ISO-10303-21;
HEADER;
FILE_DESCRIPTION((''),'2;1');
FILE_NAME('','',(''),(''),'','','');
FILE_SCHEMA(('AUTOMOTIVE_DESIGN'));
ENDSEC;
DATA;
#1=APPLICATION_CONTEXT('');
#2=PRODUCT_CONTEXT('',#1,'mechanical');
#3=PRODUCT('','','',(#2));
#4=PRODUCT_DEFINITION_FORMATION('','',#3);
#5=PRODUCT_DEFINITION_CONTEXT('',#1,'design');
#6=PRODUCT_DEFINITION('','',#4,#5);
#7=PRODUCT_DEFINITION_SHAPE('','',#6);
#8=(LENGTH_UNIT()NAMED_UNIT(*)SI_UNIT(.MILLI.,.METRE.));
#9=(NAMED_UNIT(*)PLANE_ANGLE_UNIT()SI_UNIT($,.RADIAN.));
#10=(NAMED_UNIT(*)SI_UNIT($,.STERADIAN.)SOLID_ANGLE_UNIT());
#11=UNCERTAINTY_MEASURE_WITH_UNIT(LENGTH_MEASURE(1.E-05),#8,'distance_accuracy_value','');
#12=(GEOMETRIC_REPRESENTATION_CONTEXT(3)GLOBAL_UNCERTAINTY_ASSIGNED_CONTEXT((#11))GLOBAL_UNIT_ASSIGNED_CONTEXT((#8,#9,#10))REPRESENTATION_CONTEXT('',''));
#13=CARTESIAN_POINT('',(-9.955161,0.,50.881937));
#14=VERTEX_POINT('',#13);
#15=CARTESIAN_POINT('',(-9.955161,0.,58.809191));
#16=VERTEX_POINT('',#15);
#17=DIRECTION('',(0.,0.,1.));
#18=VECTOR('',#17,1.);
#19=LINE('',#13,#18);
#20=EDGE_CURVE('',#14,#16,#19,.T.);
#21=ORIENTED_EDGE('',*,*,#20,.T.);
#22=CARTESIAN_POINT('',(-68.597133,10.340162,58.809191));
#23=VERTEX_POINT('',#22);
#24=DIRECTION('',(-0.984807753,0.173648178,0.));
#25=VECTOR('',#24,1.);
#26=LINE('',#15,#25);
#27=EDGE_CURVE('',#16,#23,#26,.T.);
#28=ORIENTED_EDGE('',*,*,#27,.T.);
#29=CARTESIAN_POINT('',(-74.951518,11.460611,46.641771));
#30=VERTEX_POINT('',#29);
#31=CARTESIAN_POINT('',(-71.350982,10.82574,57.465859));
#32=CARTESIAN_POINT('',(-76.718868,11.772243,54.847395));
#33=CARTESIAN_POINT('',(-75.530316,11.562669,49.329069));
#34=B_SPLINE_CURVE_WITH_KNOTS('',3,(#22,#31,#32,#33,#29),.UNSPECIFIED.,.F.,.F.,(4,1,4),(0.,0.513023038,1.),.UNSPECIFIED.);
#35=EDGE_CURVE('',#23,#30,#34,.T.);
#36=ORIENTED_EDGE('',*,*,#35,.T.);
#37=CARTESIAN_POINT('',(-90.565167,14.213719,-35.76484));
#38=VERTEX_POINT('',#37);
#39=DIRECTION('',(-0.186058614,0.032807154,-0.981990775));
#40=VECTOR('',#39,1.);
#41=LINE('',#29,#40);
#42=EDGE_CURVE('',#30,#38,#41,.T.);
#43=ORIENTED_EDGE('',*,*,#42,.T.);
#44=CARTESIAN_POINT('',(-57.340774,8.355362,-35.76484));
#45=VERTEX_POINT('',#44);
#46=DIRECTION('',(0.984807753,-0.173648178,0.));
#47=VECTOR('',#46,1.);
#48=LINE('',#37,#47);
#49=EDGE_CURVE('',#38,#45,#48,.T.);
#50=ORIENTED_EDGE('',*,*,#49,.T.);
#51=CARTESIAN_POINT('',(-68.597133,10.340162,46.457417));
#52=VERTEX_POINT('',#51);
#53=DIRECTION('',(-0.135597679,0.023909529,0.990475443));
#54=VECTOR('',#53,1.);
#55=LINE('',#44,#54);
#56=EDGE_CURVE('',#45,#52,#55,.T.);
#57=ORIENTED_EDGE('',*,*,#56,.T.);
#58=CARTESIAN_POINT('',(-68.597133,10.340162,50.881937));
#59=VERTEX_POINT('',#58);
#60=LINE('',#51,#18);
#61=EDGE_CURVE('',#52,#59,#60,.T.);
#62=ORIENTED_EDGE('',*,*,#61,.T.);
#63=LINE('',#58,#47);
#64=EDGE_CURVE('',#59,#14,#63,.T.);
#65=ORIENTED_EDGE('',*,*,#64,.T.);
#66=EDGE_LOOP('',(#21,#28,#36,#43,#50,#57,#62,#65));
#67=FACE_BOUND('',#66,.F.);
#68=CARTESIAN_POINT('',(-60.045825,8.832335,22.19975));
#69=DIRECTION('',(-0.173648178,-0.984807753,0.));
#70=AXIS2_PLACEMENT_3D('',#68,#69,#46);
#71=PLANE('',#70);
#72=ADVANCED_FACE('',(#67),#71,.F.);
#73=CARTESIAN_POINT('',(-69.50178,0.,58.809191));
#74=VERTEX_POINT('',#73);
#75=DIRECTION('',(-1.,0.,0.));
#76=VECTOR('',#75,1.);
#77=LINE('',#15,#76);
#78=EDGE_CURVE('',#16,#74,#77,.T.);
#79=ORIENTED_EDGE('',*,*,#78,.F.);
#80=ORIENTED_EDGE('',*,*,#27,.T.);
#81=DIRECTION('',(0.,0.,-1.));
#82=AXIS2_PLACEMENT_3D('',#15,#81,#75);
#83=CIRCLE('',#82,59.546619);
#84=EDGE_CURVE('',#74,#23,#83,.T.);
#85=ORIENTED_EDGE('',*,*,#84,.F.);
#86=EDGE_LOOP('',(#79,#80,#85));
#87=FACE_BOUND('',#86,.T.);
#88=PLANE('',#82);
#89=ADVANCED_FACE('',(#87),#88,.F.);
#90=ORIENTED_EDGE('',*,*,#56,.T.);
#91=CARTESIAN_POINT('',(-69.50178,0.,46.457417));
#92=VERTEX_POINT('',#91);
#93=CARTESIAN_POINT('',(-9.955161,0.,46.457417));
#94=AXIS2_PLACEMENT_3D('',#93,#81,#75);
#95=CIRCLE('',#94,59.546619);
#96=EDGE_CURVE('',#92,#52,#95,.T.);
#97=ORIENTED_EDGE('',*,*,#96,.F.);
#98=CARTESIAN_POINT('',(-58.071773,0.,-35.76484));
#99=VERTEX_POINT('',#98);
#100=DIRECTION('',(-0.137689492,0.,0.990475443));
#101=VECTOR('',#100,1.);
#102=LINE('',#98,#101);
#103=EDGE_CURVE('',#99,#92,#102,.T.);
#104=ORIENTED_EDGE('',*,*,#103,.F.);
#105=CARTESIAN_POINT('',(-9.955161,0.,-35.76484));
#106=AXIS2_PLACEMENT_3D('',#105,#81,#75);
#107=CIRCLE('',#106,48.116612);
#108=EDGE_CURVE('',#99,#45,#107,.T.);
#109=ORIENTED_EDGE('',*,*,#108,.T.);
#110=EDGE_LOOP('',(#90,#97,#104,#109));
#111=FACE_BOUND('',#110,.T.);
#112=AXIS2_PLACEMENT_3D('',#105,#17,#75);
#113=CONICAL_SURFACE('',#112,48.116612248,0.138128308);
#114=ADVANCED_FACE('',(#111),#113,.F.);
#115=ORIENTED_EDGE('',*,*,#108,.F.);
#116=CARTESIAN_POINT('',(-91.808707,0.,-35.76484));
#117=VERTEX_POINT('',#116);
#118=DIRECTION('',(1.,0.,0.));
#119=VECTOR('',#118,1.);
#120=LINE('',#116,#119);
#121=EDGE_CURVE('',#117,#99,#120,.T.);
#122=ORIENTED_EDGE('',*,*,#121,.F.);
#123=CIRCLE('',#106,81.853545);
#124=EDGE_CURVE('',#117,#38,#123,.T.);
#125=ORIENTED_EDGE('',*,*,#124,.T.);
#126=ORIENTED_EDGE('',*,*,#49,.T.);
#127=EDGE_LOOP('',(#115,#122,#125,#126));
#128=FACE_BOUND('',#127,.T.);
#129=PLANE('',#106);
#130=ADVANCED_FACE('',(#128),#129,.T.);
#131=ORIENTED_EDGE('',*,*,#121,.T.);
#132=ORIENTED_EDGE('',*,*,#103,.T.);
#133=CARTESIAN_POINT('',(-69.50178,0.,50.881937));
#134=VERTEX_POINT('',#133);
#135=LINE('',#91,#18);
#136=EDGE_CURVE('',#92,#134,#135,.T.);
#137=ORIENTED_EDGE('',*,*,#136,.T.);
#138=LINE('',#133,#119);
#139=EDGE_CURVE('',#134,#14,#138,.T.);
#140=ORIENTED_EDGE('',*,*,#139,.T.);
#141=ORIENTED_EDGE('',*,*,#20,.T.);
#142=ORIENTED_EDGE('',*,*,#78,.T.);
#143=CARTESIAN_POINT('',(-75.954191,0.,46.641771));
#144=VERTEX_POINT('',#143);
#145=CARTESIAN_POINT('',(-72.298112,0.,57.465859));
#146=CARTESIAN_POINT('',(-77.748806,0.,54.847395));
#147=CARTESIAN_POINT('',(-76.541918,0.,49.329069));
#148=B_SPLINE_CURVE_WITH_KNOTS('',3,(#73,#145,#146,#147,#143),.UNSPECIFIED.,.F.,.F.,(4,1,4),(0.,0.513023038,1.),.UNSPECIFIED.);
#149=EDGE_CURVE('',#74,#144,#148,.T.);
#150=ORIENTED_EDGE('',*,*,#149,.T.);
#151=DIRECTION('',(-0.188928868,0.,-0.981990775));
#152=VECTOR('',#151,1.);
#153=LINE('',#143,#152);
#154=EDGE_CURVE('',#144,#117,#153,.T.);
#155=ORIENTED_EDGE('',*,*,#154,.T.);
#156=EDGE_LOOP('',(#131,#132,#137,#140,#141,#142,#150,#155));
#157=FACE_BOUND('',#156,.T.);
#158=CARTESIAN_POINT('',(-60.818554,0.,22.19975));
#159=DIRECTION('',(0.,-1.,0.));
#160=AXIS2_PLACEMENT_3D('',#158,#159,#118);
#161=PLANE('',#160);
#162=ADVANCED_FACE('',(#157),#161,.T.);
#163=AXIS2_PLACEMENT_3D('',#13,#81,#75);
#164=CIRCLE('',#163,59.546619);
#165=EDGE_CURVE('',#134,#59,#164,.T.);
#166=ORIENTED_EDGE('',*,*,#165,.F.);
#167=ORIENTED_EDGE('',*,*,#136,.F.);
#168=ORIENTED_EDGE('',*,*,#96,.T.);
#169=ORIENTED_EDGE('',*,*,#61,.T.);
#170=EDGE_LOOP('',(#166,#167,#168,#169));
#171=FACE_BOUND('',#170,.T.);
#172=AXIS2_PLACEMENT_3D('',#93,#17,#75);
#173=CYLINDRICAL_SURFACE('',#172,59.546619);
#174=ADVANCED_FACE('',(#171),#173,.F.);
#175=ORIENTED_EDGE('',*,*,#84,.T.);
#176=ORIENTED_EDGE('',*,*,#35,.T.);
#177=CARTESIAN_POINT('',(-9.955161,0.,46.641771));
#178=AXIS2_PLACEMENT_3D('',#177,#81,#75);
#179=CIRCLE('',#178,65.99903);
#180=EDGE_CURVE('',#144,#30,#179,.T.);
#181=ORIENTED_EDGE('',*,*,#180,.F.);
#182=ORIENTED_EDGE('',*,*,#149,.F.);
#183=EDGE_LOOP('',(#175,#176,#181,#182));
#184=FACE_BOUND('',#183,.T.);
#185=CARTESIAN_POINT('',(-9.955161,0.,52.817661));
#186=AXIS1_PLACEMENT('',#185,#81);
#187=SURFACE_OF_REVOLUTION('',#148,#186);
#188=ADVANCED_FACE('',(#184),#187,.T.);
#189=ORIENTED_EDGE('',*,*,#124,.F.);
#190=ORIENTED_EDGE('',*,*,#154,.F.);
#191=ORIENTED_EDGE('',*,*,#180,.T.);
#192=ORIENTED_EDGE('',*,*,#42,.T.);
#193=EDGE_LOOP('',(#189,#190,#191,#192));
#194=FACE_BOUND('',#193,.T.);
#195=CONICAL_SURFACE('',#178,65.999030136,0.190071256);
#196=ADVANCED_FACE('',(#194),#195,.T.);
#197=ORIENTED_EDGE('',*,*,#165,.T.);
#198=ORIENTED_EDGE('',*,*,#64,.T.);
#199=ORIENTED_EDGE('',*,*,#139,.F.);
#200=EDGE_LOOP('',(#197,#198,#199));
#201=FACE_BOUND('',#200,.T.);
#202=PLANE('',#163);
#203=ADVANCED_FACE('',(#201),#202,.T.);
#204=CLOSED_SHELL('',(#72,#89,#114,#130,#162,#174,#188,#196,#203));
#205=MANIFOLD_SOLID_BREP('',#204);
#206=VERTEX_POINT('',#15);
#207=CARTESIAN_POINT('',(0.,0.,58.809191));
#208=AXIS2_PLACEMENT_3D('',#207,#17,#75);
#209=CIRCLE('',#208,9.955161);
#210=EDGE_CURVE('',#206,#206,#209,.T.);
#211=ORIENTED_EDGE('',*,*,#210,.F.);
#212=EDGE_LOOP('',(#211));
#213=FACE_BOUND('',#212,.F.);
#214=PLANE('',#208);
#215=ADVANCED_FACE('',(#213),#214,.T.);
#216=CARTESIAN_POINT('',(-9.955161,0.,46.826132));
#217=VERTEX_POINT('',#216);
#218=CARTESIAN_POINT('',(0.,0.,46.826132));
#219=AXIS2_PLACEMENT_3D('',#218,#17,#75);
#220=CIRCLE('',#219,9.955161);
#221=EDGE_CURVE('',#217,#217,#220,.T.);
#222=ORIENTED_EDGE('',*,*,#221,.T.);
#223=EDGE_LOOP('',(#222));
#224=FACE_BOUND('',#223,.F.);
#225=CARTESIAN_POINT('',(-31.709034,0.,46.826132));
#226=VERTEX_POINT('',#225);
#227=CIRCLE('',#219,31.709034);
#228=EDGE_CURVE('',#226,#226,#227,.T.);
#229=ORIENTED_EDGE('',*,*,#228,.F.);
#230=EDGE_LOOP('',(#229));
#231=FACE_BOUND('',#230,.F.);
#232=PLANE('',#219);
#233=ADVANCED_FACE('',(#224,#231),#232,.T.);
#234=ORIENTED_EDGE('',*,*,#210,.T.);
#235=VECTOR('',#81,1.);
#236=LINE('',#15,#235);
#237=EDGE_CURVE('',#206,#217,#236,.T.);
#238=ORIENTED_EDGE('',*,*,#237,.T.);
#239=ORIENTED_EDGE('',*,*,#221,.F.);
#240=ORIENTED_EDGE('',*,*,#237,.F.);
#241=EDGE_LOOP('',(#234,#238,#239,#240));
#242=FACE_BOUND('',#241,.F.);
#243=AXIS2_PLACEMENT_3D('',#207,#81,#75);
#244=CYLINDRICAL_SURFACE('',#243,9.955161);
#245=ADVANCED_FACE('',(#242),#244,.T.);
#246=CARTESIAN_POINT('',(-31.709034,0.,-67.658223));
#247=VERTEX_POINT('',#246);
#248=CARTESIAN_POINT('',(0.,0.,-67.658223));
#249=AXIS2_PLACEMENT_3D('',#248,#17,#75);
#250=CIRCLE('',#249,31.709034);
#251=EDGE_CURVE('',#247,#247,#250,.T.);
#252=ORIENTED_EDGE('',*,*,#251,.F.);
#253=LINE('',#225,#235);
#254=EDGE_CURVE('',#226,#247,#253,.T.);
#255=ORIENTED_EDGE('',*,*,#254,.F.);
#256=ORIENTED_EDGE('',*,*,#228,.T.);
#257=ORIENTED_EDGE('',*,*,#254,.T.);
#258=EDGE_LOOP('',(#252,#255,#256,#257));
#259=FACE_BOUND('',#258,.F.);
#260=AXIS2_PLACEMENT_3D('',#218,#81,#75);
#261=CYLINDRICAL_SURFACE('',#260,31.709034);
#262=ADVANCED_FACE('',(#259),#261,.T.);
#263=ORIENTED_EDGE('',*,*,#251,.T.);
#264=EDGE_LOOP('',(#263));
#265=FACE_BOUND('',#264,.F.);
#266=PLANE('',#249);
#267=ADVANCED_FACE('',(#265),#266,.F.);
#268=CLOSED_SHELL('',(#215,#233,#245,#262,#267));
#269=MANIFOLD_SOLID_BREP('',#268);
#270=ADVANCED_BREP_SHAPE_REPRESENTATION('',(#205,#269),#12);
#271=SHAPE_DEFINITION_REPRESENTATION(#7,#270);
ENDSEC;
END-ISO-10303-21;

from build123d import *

# Parameters (mm, degrees)
F2_ANGLE = 10


with BuildPart() as f1:
    # F0 (on Front) → F1 (revolve)
    with BuildSketch(Plane.XZ):
        Polygon((0, -67.6582232118), (0, 58.8091909885), (-9.9551612511, 58.8091909885), (-9.9551612511, 50.8819371462), (-9.9551612511, 46.8261316419), (-31.7090339959, 46.8261316419), (-31.7090339959, -67.6582232118), align=None)
    revolve(axis=Axis((0, 0, -4.4245161116), (0, 0, 1)))


with BuildPart() as f2:
    # F0 (on Front) → F2 (revolve)
    with BuildSketch(Plane.XZ):
        with BuildLine():
            Line((-9.9551612511, 50.8819371462), (-9.9551612511, 58.8091909885))
            Line((-9.9551612511, 58.8091909885), (-69.5017799735, 58.8091909885))
            add(Edge.make_bspline(
                [(-69.5017799735, 58.8091909885), (-72.2981117098, 57.4658587207), (-77.7488059838, 54.8473948933), (-76.5419180205, 49.3290685485), (-75.9541913867, 46.6417707503)],
                knots=[0, 0, 0, 0, 0.5130230381, 1, 1, 1, 1], degree=3))
            Line((-75.9541913867, 46.6417707503), (-91.808706522, -35.7648395002))
            Line((-91.808706522, -35.7648395002), (-58.0717734993, -35.7648395002))
            Line((-58.0717734993, -35.7648395002), (-69.5017799735, 46.4574173093))
            Line((-69.5017799735, 46.4574173093), (-69.5017799735, 50.8819371462))
            Line((-69.5017799735, 50.8819371462), (-9.9551612511, 50.8819371462))
        make_face()
    revolve(axis=Axis((-9.9551612511, 0, 52.8176613152), (0, 0, -1)), revolution_arc=F2_ANGLE)


solid = Compound([f1.part, f2.part])
